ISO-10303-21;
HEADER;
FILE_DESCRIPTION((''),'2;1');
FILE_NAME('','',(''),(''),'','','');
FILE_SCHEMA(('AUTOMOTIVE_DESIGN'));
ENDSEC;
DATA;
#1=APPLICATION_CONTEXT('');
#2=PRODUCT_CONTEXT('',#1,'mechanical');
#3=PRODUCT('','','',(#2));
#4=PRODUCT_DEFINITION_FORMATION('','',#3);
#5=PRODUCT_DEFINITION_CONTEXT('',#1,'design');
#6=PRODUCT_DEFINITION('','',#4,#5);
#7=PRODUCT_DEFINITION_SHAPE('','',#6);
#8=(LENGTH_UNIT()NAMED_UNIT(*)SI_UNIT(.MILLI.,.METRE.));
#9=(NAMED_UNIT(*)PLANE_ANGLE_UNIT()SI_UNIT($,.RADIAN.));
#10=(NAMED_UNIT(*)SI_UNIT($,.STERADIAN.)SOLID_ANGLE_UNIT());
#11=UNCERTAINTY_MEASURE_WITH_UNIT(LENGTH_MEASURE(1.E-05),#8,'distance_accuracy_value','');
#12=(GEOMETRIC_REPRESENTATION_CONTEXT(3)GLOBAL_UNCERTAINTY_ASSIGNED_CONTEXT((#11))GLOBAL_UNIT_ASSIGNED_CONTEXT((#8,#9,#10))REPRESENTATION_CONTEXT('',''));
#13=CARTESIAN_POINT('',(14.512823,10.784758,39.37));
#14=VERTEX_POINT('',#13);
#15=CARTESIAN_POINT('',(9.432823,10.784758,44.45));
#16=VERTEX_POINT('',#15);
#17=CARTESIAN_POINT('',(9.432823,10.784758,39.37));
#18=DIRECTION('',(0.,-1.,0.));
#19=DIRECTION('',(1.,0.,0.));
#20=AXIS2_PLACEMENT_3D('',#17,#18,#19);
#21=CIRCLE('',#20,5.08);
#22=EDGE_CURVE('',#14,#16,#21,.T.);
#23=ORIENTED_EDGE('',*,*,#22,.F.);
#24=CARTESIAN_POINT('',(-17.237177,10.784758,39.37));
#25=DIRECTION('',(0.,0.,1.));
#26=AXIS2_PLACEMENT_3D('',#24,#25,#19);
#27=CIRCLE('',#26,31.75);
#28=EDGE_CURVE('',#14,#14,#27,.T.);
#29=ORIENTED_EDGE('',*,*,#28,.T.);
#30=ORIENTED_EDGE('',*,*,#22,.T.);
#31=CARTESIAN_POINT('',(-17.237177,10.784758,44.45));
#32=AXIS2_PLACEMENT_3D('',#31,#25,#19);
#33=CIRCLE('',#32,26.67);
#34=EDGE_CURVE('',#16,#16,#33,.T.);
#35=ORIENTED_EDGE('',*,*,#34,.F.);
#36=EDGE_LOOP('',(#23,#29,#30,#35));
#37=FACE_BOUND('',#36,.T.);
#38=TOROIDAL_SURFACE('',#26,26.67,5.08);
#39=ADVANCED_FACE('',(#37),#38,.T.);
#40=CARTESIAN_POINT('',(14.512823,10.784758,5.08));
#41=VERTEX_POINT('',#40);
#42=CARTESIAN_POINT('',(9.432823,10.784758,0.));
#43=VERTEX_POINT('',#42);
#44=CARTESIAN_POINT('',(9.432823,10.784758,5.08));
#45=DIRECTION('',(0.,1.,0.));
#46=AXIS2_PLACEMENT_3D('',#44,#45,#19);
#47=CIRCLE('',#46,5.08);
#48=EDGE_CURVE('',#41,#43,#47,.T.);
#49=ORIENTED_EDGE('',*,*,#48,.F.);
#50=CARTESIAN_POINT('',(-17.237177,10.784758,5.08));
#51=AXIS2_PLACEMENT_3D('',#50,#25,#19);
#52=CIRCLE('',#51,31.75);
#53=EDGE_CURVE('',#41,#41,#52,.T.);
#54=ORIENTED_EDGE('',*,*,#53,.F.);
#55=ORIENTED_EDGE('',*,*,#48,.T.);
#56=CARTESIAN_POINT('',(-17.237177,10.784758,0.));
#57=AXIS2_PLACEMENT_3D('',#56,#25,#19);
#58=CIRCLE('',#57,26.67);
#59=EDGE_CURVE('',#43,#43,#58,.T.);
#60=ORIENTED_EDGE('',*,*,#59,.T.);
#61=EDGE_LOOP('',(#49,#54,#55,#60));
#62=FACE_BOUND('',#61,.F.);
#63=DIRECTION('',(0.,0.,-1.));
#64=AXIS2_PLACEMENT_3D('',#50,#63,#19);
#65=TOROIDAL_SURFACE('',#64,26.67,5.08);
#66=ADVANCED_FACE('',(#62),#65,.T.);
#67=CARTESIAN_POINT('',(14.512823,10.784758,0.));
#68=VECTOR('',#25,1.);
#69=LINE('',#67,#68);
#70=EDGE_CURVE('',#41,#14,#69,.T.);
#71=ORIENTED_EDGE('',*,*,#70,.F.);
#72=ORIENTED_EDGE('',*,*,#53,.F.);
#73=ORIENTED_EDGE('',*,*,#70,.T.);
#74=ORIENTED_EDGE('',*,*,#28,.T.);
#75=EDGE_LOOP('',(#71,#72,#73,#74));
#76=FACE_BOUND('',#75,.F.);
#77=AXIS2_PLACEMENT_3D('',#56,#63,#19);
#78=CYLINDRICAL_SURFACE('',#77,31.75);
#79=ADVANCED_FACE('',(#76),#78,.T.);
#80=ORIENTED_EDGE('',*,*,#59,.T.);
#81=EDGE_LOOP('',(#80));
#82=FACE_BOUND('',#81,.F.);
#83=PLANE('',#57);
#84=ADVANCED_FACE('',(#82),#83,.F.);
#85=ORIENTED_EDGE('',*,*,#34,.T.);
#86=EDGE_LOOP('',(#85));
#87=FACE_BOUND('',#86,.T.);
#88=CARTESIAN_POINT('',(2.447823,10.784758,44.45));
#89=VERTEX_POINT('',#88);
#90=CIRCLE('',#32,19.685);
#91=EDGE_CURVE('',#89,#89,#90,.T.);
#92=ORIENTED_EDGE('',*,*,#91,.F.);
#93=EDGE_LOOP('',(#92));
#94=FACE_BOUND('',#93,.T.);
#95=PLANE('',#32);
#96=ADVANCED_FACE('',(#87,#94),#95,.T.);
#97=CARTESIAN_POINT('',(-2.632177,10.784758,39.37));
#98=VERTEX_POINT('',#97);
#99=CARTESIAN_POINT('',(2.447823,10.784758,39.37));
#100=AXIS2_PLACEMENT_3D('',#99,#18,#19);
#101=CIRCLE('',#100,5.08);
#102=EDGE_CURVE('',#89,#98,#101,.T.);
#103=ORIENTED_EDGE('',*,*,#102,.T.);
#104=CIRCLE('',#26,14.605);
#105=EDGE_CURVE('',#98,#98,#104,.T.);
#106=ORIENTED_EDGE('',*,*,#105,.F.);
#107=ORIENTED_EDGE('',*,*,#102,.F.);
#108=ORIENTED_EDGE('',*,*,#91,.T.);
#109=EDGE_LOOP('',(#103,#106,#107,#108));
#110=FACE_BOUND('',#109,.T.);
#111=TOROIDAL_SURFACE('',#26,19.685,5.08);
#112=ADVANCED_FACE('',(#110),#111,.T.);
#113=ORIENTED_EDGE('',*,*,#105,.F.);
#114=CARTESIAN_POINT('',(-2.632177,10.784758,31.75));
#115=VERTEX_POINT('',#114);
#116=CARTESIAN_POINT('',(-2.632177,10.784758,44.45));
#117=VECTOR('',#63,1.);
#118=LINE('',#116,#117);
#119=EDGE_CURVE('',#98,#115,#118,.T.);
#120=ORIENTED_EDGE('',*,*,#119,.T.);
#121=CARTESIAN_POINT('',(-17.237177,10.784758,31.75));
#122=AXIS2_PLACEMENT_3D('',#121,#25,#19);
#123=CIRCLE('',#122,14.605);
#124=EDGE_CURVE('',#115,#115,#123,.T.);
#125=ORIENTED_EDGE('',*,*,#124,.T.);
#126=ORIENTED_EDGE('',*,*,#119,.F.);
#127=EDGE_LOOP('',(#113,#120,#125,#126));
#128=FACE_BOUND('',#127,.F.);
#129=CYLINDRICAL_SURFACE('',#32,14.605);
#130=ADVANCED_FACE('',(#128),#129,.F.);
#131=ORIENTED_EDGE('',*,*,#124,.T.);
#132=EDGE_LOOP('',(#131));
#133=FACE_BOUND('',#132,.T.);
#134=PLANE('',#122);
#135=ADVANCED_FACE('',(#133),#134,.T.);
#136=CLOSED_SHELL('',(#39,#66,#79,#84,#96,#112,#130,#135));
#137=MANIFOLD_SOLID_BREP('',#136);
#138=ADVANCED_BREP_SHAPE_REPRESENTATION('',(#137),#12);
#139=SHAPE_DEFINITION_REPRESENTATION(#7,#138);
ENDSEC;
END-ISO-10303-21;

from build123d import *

# Parameters (mm, degrees)
F0_R     = 31.75
F1_DEPTH = 44.45
F2_R     = 14.605
F3_DEPTH = 12.7
F4_R     = 5.08


with BuildPart() as f1:
    # F0 (on Top) → F1 (new body)
    with BuildSketch(Plane.XY):
        with Locations((-17.237177, 10.784758)):
            Circle(F0_R)
    extrude(amount=F1_DEPTH)

    # F2 (on face) → F3 (cut)
    with BuildSketch(Plane.XY.offset(44.45)):
        with Locations((-17.237177, 10.784758)):
            Circle(F2_R)
    extrude(amount=-F3_DEPTH, mode=Mode.SUBTRACT)

    # F4
    f4_edges = [f1.edges().sort_by_distance(p)[0] for p in [
        (-48.987177, 10.784758, 44.45),
        (-48.987177, 10.784758, 0),
        (-31.842177, 10.784758, 44.45),
    ]]
    fillet(f4_edges, radius=F4_R)


solid = f1.part
